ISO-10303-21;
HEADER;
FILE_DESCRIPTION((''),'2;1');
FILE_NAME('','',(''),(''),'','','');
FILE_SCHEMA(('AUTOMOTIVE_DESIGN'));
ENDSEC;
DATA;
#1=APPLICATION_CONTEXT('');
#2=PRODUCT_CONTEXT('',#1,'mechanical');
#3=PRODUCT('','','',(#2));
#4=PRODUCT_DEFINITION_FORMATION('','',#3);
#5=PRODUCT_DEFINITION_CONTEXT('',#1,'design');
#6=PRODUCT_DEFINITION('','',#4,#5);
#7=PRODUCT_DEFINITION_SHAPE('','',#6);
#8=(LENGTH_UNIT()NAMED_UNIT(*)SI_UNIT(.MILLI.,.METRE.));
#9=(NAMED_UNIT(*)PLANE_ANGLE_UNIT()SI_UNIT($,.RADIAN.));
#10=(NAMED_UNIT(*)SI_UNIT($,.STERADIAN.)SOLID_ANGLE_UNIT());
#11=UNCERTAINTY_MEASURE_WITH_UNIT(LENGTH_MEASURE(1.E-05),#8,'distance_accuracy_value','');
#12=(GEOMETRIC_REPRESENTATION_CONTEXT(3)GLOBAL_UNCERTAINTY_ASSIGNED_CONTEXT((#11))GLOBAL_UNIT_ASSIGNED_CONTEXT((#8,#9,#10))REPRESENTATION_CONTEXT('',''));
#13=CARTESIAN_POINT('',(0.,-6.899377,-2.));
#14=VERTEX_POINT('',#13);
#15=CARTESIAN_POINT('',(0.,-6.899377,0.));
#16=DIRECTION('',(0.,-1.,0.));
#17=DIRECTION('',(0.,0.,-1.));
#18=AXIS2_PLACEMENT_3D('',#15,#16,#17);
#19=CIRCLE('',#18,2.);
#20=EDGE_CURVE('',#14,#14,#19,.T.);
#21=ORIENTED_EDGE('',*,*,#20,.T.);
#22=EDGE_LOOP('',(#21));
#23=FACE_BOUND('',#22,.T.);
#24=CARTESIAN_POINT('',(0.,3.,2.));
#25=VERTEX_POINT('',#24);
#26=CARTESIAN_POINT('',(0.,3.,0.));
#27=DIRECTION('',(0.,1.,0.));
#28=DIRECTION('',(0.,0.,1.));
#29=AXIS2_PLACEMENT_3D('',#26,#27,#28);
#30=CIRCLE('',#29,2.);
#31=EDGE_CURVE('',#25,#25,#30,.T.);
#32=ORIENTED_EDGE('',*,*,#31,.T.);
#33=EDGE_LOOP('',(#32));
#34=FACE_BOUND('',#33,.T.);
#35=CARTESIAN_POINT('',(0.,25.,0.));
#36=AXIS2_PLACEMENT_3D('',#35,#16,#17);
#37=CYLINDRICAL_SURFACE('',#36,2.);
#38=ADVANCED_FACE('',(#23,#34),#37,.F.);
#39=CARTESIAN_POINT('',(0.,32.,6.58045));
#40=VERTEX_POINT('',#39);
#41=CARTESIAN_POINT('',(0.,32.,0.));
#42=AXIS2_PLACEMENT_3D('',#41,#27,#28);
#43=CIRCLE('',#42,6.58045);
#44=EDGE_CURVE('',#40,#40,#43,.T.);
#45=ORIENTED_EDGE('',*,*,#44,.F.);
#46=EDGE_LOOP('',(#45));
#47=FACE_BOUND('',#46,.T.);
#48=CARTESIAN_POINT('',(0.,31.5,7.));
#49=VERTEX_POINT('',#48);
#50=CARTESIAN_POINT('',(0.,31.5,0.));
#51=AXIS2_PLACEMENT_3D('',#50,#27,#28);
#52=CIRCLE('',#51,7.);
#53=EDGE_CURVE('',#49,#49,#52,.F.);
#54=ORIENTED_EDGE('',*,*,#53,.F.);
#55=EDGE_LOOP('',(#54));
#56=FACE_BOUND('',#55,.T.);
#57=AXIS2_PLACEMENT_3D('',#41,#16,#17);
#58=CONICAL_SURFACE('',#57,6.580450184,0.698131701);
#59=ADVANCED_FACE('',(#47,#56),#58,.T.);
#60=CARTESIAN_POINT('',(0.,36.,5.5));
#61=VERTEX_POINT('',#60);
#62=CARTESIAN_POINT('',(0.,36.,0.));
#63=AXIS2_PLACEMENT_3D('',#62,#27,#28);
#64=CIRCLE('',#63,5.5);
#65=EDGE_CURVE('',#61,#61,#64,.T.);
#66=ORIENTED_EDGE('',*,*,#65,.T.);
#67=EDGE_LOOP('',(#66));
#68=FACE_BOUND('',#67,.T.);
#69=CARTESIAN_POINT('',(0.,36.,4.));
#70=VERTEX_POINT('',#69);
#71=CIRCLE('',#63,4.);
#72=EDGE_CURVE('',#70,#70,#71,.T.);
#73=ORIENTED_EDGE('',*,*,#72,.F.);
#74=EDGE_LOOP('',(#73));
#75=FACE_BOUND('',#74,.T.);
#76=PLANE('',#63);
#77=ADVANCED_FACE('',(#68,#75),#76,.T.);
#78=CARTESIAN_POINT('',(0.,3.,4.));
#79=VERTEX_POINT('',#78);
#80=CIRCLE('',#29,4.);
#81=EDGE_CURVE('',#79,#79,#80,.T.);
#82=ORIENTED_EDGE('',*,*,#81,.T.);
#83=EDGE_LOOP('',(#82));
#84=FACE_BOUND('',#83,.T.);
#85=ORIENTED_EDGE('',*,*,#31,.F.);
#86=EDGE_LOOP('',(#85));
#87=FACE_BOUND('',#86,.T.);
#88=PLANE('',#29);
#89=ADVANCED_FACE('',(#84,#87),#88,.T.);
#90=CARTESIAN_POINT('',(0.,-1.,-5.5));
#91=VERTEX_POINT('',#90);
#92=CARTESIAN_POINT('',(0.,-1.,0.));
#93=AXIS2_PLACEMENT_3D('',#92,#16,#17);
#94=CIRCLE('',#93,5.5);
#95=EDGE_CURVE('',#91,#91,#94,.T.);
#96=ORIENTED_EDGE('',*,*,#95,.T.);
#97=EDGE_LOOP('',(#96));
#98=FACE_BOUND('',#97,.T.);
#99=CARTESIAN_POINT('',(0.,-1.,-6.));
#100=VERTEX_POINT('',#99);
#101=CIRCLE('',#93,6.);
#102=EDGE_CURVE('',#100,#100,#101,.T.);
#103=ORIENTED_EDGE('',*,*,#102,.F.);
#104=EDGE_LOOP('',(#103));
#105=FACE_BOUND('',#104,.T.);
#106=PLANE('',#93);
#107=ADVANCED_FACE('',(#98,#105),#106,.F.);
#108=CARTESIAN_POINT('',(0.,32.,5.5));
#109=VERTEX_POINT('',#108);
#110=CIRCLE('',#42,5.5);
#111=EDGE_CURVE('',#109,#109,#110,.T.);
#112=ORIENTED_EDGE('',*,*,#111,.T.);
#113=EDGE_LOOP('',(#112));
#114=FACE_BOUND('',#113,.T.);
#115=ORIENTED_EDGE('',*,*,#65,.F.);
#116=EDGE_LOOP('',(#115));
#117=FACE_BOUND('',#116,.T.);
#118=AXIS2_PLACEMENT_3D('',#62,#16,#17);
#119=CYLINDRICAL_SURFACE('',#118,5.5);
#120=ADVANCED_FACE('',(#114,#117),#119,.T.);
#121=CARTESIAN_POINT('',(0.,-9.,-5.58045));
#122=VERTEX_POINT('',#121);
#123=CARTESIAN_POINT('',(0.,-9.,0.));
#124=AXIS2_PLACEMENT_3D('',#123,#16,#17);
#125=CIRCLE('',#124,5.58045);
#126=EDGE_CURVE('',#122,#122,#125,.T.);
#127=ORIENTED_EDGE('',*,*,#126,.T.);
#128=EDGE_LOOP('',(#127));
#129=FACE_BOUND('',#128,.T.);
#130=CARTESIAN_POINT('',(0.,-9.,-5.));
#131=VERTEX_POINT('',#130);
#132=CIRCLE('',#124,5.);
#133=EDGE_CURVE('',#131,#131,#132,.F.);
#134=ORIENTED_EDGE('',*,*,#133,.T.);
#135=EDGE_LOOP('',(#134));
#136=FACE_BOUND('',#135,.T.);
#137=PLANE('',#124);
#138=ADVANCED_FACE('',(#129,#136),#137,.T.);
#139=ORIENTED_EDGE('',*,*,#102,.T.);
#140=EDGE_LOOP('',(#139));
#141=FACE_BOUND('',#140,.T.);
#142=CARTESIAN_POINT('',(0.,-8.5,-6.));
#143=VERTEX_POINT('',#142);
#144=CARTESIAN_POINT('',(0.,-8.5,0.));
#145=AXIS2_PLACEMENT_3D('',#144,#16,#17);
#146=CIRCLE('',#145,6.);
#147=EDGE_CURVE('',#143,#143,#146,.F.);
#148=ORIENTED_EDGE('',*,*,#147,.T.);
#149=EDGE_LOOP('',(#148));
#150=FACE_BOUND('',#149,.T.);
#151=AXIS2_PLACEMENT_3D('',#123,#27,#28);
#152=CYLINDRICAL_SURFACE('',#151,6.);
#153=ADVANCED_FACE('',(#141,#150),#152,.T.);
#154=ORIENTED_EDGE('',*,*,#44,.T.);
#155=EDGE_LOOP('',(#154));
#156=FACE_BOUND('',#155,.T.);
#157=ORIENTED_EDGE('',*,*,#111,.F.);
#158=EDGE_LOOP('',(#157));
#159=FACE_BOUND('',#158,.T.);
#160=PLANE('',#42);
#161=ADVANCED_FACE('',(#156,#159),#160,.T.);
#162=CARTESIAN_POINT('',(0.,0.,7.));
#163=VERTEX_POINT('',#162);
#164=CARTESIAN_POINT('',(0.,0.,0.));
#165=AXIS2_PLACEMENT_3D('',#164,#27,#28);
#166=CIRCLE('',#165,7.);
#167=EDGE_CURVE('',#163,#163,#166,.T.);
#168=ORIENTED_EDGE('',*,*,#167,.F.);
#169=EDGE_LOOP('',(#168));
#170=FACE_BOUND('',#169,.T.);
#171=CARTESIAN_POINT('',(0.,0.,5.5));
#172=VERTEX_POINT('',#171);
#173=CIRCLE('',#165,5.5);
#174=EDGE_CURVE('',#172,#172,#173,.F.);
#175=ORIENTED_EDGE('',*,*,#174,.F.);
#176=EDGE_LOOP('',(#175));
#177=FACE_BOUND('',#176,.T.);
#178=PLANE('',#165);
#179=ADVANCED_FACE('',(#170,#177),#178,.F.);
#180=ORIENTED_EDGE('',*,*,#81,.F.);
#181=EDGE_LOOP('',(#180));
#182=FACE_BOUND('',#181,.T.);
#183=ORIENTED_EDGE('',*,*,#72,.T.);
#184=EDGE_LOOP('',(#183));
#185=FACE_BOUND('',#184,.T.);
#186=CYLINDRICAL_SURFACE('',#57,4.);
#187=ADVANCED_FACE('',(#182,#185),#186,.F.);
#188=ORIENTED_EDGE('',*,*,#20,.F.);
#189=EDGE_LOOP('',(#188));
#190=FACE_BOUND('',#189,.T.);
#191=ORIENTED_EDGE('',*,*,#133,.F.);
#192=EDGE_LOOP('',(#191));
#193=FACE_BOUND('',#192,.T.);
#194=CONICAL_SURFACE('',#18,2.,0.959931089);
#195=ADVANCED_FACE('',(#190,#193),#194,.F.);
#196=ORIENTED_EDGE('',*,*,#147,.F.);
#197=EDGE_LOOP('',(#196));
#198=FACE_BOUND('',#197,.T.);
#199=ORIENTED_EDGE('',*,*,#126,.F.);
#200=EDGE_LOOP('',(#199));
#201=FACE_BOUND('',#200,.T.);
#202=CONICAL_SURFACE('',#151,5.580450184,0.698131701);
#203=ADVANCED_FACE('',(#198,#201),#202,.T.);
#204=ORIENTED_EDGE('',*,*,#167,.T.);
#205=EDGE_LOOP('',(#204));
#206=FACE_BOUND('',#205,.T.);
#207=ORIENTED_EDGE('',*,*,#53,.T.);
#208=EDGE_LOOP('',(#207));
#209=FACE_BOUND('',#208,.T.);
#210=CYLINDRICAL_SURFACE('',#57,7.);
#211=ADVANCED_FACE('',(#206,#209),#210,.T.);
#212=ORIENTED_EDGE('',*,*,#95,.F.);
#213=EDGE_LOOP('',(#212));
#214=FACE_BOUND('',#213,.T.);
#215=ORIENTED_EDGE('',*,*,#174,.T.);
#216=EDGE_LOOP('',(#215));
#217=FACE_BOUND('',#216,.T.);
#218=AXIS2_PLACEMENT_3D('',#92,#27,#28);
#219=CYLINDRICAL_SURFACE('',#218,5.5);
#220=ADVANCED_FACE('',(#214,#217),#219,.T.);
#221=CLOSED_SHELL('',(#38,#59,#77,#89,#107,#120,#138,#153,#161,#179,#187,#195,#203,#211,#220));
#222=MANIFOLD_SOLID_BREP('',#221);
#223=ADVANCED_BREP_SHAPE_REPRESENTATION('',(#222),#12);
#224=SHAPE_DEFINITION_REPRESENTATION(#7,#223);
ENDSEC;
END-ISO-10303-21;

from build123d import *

# Parameters (mm, degrees)
CROQUIS1_R              = 7
CROQUIS1_R_2            = 4
SALIENTE_EXTRUIR1_DEPTH = 32
CROQUIS2_R              = 4
SALIENTE_EXTRUIR2_DEPTH = 3
CROQUIS3_R              = 5.5
SALIENTE_EXTRUIR3_DEPTH = 1
CROQUIS4_R              = 6
SALIENTE_EXTRUIR4_DEPTH = 8
CROQUIS5_R              = 2
CORTAR_EXTRUIR1_DEPTH   = 34
CHAFL_N1_SIZE           = 3
CHAFL_N1_SIZE2          = 2.100622615
CHAFL_N2_SIZE           = 0.5
CHAFL_N2_SIZE2          = 0.419549816
CHAFL_N3_SIZE           = 0.5
CHAFL_N3_SIZE2          = 0.419549816
CROQUIS6_R              = 5.5
CROQUIS6_R_2            = 4
SALIENTE_EXTRUIR5_DEPTH = 4


with BuildPart() as part:
    # Croquis1 → Saliente-Extruir1 (new body)
    with BuildSketch(Plane(origin=(0, 0, 0), x_dir=(1, 0, 0), z_dir=(0, 1, 0))):
        Circle(CROQUIS1_R)
        Circle(CROQUIS1_R_2, mode=Mode.SUBTRACT)
    extrude(amount=SALIENTE_EXTRUIR1_DEPTH)

    # Croquis2 → Saliente-Extruir2 (add)
    with BuildSketch(Plane(origin=(0, 3, 0), x_dir=(1, 0, 0), z_dir=(0, 1, 0))):
        Circle(CROQUIS2_R)
    extrude(amount=-SALIENTE_EXTRUIR2_DEPTH)

    # Croquis3 → Saliente-Extruir3 (add)
    with BuildSketch(Plane(origin=(0, 0, 0), x_dir=(-1, 0, 0), z_dir=(0, -1, 0))):
        Circle(CROQUIS3_R)
    extrude(amount=SALIENTE_EXTRUIR3_DEPTH)

    # Croquis4 → Saliente-Extruir4 (add)
    with BuildSketch(Plane.XZ.offset(1)):
        Circle(CROQUIS4_R)
    extrude(amount=SALIENTE_EXTRUIR4_DEPTH)

    # Croquis5 → Cortar-Extruir1 (cut)
    with BuildSketch(Plane.XZ.offset(9)):
        Circle(CROQUIS5_R)
    extrude(amount=-CORTAR_EXTRUIR1_DEPTH, mode=Mode.SUBTRACT)

    # Chaflán1
    chafl_n1_edges = [part.edges().sort_by_distance(p)[0] for p in [
        (-2, -9, 0),
    ]]
    chafl_n1_side = [part.faces().sort_by_distance(p)[0] for p in [
        (-5.830294373, -9, 0),
    ]]
    chamfer(chafl_n1_edges, length=CHAFL_N1_SIZE, length2=CHAFL_N1_SIZE2, reference=chafl_n1_side[0])

    # Chaflán2
    chafl_n2_edges = [part.edges().sort_by_distance(p)[0] for p in [
        (-6, -9, 0),
    ]]
    chafl_n2_side = [part.faces().sort_by_distance(p)[0] for p in [
        (-6, -5, 0),
    ]]
    chamfer(chafl_n2_edges, length=CHAFL_N2_SIZE, length2=CHAFL_N2_SIZE2, reference=chafl_n2_side[0])

    # Chaflán3
    chafl_n3_edges = [part.edges().sort_by_distance(p)[0] for p in [
        (-7, 32, 0),
    ]]
    chafl_n3_side = [part.faces().sort_by_distance(p)[0] for p in [
        (-7, 16, 0),
    ]]
    chamfer(chafl_n3_edges, length=CHAFL_N3_SIZE, length2=CHAFL_N3_SIZE2, reference=chafl_n3_side[0])

    # Croquis6 → Saliente-Extruir5 (add)
    with BuildSketch(Plane(origin=(0, 32, 0), x_dir=(1, 0, 0), z_dir=(0, 1, 0))):
        Circle(CROQUIS6_R)
        Circle(CROQUIS6_R_2, mode=Mode.SUBTRACT)
    extrude(amount=SALIENTE_EXTRUIR5_DEPTH)


solid = part.part
